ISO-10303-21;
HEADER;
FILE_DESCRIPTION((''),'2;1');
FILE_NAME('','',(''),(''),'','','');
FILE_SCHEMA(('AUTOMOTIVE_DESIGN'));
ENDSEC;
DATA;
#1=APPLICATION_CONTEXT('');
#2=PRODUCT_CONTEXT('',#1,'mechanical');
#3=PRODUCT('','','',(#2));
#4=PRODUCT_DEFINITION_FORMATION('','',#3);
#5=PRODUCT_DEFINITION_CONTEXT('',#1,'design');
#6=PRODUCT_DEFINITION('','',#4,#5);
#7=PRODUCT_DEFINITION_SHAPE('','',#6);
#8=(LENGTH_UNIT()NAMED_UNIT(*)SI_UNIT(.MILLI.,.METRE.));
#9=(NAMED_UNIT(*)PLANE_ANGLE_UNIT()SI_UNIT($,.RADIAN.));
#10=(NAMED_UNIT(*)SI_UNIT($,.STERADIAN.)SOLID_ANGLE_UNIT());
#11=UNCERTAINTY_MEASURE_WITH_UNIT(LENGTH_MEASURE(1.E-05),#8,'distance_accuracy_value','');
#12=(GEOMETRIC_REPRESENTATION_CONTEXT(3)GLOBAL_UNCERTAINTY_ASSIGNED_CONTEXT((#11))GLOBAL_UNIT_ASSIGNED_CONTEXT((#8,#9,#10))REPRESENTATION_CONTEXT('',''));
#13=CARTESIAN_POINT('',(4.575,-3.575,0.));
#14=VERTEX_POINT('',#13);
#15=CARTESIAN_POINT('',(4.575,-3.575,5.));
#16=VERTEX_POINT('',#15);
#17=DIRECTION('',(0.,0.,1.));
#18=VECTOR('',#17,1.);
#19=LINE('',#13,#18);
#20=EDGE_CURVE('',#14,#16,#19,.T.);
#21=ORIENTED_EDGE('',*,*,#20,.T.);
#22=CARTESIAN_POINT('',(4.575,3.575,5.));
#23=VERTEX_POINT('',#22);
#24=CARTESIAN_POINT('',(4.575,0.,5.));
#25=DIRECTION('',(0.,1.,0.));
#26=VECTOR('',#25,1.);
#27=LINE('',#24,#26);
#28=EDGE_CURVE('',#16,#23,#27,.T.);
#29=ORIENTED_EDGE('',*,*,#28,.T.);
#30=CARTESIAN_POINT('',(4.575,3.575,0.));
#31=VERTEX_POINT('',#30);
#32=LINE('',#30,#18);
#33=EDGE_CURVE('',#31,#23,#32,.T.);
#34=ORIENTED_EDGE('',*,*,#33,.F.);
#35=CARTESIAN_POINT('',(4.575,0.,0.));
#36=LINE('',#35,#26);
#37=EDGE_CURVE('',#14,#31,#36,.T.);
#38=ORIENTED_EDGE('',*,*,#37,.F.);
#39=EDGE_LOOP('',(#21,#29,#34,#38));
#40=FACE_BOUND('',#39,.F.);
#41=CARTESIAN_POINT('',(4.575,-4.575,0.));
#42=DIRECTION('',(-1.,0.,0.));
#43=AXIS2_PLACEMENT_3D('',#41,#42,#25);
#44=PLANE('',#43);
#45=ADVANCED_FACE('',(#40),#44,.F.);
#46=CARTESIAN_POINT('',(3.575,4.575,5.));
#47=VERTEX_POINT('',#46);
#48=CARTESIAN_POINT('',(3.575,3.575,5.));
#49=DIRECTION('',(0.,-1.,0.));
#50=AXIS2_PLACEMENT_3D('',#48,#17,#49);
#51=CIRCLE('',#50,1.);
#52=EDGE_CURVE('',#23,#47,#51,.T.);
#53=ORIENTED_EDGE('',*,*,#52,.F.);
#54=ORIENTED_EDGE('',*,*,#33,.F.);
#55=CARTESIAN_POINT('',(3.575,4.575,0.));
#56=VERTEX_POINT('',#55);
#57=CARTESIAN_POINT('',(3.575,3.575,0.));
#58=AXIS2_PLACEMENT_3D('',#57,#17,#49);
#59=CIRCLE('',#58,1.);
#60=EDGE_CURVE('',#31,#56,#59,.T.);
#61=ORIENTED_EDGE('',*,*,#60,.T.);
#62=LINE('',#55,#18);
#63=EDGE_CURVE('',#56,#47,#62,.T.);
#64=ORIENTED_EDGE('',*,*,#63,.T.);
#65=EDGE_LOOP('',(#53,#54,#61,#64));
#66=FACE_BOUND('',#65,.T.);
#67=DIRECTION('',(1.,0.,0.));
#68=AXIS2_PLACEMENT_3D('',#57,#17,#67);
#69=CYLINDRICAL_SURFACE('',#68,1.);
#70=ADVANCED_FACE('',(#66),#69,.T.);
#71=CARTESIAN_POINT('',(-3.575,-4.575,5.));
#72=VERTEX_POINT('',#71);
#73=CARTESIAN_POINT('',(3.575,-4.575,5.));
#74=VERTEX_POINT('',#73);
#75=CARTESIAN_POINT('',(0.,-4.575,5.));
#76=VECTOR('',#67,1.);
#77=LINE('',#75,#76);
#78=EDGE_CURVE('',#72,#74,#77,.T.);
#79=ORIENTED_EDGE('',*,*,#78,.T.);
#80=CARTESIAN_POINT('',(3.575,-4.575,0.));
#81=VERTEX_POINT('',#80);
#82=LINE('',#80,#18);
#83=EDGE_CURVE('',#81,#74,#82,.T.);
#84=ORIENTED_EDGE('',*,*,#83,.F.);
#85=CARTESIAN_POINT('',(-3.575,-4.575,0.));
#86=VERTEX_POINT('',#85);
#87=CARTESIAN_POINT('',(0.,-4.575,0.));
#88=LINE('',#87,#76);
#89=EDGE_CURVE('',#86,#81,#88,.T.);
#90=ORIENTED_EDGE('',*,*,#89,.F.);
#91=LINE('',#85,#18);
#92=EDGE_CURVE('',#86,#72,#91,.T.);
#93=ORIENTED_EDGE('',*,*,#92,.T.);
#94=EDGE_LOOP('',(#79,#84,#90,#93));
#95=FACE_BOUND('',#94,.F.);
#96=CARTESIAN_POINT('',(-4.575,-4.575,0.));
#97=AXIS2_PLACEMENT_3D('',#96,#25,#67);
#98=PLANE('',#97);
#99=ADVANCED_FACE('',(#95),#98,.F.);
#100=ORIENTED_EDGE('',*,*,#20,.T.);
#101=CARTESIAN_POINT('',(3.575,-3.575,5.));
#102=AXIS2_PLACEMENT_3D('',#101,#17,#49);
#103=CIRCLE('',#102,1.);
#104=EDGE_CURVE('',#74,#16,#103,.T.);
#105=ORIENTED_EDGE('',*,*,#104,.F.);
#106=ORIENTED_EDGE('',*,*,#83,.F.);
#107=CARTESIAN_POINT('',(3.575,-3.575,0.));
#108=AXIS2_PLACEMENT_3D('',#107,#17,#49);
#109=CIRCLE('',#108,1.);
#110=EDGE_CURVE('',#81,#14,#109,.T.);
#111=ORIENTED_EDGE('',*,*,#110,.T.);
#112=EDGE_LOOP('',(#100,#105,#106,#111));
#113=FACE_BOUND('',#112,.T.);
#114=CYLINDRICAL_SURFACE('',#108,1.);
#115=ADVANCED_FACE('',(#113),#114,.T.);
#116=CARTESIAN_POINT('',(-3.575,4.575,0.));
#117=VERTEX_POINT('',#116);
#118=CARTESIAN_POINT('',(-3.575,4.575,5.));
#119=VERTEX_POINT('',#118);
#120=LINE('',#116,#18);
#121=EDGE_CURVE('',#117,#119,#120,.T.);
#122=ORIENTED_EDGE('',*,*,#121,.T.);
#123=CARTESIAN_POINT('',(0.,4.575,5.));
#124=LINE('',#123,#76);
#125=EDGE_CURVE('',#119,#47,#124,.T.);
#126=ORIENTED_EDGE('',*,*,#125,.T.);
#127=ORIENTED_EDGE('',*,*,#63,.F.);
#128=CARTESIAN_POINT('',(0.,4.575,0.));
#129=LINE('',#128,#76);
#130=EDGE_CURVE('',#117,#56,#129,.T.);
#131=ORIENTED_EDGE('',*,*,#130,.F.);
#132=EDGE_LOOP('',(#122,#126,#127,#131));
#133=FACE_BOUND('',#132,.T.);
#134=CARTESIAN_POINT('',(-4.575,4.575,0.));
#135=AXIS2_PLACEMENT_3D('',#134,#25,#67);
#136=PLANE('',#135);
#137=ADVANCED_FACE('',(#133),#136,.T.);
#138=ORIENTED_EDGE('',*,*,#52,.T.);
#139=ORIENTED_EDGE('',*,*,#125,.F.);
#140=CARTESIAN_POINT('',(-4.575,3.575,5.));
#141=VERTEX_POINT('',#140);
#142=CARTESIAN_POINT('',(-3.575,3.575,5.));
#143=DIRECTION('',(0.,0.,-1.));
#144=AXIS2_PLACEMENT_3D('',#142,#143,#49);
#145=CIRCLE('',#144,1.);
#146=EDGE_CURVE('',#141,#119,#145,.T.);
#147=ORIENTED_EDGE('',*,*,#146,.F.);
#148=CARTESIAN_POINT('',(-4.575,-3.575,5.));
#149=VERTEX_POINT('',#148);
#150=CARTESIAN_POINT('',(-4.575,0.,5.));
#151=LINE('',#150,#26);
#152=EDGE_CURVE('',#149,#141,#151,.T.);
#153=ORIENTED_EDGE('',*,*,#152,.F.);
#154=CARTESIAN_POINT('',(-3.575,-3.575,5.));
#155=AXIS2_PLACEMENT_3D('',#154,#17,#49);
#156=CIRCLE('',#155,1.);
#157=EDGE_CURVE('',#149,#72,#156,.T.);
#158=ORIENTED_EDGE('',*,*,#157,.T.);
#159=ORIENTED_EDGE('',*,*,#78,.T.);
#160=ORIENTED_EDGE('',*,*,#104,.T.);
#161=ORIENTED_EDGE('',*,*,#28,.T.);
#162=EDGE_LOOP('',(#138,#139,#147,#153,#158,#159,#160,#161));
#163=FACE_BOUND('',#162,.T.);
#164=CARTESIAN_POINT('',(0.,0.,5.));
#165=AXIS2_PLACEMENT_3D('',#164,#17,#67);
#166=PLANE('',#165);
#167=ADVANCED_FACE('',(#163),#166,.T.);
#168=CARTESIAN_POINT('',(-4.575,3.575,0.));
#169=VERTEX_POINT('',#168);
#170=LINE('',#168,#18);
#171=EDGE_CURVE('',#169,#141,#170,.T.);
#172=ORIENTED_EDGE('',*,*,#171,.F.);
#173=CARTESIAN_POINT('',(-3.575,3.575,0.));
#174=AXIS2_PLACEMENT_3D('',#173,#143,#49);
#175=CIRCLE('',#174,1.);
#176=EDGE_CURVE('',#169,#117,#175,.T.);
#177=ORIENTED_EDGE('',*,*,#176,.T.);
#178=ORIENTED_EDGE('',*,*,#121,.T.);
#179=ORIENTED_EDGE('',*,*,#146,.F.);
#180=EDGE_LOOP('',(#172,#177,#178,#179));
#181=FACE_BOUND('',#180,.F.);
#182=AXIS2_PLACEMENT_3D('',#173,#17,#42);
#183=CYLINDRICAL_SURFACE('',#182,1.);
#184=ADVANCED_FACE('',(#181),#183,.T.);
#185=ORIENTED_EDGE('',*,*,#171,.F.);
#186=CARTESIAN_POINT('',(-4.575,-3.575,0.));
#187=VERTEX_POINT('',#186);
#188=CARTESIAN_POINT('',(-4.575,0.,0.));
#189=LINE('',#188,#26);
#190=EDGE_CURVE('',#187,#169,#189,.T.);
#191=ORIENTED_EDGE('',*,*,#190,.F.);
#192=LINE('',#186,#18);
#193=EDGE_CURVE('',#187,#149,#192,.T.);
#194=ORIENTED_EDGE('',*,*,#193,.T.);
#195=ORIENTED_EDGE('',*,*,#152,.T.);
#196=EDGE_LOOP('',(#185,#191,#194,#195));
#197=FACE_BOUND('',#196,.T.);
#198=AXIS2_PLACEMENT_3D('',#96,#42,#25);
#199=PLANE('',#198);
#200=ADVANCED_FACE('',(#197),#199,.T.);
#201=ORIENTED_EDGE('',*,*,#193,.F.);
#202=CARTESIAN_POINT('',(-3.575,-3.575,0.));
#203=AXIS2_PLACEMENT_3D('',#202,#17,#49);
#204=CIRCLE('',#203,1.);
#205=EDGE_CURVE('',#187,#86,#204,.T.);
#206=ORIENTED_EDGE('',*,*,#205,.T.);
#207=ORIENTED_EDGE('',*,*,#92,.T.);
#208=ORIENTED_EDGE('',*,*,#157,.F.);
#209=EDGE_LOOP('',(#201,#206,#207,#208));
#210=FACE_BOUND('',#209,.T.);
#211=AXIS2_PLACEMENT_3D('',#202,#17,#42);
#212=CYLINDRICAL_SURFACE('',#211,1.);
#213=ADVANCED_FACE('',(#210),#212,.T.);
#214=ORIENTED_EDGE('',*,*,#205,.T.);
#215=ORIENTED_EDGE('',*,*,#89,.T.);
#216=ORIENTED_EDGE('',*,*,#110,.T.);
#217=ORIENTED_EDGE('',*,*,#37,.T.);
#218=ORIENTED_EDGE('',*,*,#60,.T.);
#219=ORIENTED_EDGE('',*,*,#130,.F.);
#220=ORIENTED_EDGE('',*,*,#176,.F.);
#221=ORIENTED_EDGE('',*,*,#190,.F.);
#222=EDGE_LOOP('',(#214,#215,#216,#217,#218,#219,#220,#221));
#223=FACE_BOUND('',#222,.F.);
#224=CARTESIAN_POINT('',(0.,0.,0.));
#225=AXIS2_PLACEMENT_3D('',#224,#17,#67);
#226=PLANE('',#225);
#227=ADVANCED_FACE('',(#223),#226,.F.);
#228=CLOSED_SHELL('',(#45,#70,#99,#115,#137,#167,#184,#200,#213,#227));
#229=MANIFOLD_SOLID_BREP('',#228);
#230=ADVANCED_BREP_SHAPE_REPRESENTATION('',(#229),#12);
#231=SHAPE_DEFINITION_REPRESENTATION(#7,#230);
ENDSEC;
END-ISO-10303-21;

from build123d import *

# Parameters (mm, degrees)
SKETCH_W  = 9.15
SKETCH_H  = 9.15
PAD_DEPTH = 5
FILLET_R  = 1


with BuildPart() as part:
    # Sketch → Pad (new body)
    with BuildSketch(Plane.XY):
        Rectangle(SKETCH_W, SKETCH_H)
    extrude(amount=PAD_DEPTH)

    # Fillet
    fillet_edges = [part.edges().sort_by_distance(p)[0] for p in [
        (4.575, -4.575, 2.5),
        (4.575, 4.575, 2.5),
        (-4.575, -4.575, 2.5),
        (-4.575, 4.575, 2.5),
    ]]
    fillet(fillet_edges, radius=FILLET_R)


solid = part.part
